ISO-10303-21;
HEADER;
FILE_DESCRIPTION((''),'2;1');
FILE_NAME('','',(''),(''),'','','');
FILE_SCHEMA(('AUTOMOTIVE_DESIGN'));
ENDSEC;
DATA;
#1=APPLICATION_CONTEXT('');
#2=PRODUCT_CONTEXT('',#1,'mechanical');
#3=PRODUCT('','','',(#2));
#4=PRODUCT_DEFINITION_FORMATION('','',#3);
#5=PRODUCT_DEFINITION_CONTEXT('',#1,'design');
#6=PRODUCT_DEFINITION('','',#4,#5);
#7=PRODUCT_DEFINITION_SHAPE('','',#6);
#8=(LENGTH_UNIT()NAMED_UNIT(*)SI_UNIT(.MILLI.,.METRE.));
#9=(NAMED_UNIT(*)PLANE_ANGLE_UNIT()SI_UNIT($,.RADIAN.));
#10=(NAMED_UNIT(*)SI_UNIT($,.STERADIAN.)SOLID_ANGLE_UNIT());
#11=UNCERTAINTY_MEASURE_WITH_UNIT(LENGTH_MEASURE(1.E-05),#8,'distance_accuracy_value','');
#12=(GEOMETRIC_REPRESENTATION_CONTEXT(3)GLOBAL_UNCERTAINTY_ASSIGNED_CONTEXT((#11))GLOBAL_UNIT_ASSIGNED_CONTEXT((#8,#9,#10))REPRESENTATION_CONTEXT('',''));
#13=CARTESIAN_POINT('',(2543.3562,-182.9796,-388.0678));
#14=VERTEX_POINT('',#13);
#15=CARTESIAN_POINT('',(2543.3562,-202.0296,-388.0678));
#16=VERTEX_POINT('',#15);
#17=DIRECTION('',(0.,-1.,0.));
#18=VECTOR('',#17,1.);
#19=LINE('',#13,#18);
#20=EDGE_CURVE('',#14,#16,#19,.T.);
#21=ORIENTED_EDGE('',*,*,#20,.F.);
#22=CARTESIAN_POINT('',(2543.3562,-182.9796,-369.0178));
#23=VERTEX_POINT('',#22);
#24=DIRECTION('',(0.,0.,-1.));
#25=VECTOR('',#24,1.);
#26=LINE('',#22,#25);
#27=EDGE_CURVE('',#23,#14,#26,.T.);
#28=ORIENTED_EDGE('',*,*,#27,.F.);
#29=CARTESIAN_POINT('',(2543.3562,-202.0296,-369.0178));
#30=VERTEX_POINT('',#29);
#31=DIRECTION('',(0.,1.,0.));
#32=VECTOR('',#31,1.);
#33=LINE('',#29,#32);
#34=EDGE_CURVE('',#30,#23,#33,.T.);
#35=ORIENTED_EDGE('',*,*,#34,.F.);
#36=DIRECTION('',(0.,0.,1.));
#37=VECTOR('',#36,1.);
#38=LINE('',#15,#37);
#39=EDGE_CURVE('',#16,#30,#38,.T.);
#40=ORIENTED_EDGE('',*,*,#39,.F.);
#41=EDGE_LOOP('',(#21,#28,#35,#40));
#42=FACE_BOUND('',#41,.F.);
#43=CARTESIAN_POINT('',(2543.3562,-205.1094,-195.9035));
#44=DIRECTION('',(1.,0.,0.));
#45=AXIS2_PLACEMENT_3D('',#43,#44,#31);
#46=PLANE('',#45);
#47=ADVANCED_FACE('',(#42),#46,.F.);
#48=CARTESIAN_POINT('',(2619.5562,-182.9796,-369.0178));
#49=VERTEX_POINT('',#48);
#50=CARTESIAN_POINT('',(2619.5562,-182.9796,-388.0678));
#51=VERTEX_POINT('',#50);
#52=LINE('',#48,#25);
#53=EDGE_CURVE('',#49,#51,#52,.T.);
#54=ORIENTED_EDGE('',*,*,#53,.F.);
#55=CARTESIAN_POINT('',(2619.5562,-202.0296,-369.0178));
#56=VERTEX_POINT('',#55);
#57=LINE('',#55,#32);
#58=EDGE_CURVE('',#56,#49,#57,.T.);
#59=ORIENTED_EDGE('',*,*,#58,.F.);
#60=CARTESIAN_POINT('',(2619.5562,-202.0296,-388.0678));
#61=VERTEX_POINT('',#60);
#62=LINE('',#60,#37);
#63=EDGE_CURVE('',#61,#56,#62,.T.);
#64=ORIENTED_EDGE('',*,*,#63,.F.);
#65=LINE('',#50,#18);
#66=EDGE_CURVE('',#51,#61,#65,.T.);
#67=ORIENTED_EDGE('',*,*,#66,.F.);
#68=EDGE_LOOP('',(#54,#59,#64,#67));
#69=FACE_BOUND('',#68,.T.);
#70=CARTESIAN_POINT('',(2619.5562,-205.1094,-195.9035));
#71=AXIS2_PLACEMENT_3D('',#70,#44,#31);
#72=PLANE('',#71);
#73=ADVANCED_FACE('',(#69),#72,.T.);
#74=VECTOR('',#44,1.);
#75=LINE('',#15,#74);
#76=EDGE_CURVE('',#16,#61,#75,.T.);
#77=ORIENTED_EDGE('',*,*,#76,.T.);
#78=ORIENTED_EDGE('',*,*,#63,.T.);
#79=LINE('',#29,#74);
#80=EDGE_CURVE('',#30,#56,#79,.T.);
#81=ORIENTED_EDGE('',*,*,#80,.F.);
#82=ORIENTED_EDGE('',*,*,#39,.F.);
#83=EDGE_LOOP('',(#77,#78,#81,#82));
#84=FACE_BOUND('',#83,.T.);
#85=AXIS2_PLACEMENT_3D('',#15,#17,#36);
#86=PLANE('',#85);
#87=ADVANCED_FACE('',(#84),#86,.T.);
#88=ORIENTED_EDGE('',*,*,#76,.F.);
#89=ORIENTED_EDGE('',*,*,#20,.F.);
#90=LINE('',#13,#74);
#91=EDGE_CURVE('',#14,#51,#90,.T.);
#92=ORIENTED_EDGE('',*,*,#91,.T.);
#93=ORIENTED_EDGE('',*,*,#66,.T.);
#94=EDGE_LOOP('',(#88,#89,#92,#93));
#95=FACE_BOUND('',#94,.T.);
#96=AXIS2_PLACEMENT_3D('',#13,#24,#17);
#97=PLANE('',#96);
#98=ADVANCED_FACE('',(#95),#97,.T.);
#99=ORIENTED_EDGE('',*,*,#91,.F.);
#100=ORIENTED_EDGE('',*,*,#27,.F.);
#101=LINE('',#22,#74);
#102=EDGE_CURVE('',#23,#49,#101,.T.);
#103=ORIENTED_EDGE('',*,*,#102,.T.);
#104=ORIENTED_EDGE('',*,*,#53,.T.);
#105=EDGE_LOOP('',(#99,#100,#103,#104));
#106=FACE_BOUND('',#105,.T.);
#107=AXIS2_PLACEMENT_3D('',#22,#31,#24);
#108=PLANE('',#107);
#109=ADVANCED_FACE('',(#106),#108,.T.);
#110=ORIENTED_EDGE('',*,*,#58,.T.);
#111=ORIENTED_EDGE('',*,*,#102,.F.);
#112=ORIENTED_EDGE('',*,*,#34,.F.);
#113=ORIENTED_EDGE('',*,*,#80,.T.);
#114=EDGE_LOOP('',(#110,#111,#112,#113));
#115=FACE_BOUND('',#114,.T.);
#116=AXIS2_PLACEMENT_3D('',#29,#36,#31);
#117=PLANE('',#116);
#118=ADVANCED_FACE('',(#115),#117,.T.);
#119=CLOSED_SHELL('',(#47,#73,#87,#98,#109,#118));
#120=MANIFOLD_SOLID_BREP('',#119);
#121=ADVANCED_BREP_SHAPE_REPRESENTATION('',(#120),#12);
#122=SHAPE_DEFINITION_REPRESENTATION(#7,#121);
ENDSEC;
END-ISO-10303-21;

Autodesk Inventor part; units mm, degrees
ref_plane "YZ Plane" through (0, 0, 0) normal (1, 0, 0) x (0, 1, 0)
ref_plane "XZ Plane" through (0, 0, 0) normal (0, 1, 0) x (-1, 0, 0)
ref_plane "XY Plane" through (0, 0, 0) normal (0, 0, 1) x (1, 0, 0)
ref_plane "Work Plane1" through (2543.3562, -205.1094, -195.9035) normal (1, 0, 0) x (0, 1, 0)
sketch "Sketch1" plane through (2543.3562, -205.1094, -195.9035) normal (1, 0, 0) x (0, 1, 0)
  line L0 (3.0798, -173.1143) -> (22.1298, -173.1143)
  line L1 (22.1298, -173.1143) -> (22.1298, -192.1643)
  line L2 (22.1298, -192.1643) -> (3.0798, -192.1643)
  line L3 (3.0798, -192.1643) -> (3.0798, -173.1143)
  point P0 (205.1094, 195.9035)
  dimension "d0" = 19.05
  dimension "d1" = 19.05
extrude "Extrusion1" add sketch "Sketch1" along normal blind 76.2
properties part number "pillar"
